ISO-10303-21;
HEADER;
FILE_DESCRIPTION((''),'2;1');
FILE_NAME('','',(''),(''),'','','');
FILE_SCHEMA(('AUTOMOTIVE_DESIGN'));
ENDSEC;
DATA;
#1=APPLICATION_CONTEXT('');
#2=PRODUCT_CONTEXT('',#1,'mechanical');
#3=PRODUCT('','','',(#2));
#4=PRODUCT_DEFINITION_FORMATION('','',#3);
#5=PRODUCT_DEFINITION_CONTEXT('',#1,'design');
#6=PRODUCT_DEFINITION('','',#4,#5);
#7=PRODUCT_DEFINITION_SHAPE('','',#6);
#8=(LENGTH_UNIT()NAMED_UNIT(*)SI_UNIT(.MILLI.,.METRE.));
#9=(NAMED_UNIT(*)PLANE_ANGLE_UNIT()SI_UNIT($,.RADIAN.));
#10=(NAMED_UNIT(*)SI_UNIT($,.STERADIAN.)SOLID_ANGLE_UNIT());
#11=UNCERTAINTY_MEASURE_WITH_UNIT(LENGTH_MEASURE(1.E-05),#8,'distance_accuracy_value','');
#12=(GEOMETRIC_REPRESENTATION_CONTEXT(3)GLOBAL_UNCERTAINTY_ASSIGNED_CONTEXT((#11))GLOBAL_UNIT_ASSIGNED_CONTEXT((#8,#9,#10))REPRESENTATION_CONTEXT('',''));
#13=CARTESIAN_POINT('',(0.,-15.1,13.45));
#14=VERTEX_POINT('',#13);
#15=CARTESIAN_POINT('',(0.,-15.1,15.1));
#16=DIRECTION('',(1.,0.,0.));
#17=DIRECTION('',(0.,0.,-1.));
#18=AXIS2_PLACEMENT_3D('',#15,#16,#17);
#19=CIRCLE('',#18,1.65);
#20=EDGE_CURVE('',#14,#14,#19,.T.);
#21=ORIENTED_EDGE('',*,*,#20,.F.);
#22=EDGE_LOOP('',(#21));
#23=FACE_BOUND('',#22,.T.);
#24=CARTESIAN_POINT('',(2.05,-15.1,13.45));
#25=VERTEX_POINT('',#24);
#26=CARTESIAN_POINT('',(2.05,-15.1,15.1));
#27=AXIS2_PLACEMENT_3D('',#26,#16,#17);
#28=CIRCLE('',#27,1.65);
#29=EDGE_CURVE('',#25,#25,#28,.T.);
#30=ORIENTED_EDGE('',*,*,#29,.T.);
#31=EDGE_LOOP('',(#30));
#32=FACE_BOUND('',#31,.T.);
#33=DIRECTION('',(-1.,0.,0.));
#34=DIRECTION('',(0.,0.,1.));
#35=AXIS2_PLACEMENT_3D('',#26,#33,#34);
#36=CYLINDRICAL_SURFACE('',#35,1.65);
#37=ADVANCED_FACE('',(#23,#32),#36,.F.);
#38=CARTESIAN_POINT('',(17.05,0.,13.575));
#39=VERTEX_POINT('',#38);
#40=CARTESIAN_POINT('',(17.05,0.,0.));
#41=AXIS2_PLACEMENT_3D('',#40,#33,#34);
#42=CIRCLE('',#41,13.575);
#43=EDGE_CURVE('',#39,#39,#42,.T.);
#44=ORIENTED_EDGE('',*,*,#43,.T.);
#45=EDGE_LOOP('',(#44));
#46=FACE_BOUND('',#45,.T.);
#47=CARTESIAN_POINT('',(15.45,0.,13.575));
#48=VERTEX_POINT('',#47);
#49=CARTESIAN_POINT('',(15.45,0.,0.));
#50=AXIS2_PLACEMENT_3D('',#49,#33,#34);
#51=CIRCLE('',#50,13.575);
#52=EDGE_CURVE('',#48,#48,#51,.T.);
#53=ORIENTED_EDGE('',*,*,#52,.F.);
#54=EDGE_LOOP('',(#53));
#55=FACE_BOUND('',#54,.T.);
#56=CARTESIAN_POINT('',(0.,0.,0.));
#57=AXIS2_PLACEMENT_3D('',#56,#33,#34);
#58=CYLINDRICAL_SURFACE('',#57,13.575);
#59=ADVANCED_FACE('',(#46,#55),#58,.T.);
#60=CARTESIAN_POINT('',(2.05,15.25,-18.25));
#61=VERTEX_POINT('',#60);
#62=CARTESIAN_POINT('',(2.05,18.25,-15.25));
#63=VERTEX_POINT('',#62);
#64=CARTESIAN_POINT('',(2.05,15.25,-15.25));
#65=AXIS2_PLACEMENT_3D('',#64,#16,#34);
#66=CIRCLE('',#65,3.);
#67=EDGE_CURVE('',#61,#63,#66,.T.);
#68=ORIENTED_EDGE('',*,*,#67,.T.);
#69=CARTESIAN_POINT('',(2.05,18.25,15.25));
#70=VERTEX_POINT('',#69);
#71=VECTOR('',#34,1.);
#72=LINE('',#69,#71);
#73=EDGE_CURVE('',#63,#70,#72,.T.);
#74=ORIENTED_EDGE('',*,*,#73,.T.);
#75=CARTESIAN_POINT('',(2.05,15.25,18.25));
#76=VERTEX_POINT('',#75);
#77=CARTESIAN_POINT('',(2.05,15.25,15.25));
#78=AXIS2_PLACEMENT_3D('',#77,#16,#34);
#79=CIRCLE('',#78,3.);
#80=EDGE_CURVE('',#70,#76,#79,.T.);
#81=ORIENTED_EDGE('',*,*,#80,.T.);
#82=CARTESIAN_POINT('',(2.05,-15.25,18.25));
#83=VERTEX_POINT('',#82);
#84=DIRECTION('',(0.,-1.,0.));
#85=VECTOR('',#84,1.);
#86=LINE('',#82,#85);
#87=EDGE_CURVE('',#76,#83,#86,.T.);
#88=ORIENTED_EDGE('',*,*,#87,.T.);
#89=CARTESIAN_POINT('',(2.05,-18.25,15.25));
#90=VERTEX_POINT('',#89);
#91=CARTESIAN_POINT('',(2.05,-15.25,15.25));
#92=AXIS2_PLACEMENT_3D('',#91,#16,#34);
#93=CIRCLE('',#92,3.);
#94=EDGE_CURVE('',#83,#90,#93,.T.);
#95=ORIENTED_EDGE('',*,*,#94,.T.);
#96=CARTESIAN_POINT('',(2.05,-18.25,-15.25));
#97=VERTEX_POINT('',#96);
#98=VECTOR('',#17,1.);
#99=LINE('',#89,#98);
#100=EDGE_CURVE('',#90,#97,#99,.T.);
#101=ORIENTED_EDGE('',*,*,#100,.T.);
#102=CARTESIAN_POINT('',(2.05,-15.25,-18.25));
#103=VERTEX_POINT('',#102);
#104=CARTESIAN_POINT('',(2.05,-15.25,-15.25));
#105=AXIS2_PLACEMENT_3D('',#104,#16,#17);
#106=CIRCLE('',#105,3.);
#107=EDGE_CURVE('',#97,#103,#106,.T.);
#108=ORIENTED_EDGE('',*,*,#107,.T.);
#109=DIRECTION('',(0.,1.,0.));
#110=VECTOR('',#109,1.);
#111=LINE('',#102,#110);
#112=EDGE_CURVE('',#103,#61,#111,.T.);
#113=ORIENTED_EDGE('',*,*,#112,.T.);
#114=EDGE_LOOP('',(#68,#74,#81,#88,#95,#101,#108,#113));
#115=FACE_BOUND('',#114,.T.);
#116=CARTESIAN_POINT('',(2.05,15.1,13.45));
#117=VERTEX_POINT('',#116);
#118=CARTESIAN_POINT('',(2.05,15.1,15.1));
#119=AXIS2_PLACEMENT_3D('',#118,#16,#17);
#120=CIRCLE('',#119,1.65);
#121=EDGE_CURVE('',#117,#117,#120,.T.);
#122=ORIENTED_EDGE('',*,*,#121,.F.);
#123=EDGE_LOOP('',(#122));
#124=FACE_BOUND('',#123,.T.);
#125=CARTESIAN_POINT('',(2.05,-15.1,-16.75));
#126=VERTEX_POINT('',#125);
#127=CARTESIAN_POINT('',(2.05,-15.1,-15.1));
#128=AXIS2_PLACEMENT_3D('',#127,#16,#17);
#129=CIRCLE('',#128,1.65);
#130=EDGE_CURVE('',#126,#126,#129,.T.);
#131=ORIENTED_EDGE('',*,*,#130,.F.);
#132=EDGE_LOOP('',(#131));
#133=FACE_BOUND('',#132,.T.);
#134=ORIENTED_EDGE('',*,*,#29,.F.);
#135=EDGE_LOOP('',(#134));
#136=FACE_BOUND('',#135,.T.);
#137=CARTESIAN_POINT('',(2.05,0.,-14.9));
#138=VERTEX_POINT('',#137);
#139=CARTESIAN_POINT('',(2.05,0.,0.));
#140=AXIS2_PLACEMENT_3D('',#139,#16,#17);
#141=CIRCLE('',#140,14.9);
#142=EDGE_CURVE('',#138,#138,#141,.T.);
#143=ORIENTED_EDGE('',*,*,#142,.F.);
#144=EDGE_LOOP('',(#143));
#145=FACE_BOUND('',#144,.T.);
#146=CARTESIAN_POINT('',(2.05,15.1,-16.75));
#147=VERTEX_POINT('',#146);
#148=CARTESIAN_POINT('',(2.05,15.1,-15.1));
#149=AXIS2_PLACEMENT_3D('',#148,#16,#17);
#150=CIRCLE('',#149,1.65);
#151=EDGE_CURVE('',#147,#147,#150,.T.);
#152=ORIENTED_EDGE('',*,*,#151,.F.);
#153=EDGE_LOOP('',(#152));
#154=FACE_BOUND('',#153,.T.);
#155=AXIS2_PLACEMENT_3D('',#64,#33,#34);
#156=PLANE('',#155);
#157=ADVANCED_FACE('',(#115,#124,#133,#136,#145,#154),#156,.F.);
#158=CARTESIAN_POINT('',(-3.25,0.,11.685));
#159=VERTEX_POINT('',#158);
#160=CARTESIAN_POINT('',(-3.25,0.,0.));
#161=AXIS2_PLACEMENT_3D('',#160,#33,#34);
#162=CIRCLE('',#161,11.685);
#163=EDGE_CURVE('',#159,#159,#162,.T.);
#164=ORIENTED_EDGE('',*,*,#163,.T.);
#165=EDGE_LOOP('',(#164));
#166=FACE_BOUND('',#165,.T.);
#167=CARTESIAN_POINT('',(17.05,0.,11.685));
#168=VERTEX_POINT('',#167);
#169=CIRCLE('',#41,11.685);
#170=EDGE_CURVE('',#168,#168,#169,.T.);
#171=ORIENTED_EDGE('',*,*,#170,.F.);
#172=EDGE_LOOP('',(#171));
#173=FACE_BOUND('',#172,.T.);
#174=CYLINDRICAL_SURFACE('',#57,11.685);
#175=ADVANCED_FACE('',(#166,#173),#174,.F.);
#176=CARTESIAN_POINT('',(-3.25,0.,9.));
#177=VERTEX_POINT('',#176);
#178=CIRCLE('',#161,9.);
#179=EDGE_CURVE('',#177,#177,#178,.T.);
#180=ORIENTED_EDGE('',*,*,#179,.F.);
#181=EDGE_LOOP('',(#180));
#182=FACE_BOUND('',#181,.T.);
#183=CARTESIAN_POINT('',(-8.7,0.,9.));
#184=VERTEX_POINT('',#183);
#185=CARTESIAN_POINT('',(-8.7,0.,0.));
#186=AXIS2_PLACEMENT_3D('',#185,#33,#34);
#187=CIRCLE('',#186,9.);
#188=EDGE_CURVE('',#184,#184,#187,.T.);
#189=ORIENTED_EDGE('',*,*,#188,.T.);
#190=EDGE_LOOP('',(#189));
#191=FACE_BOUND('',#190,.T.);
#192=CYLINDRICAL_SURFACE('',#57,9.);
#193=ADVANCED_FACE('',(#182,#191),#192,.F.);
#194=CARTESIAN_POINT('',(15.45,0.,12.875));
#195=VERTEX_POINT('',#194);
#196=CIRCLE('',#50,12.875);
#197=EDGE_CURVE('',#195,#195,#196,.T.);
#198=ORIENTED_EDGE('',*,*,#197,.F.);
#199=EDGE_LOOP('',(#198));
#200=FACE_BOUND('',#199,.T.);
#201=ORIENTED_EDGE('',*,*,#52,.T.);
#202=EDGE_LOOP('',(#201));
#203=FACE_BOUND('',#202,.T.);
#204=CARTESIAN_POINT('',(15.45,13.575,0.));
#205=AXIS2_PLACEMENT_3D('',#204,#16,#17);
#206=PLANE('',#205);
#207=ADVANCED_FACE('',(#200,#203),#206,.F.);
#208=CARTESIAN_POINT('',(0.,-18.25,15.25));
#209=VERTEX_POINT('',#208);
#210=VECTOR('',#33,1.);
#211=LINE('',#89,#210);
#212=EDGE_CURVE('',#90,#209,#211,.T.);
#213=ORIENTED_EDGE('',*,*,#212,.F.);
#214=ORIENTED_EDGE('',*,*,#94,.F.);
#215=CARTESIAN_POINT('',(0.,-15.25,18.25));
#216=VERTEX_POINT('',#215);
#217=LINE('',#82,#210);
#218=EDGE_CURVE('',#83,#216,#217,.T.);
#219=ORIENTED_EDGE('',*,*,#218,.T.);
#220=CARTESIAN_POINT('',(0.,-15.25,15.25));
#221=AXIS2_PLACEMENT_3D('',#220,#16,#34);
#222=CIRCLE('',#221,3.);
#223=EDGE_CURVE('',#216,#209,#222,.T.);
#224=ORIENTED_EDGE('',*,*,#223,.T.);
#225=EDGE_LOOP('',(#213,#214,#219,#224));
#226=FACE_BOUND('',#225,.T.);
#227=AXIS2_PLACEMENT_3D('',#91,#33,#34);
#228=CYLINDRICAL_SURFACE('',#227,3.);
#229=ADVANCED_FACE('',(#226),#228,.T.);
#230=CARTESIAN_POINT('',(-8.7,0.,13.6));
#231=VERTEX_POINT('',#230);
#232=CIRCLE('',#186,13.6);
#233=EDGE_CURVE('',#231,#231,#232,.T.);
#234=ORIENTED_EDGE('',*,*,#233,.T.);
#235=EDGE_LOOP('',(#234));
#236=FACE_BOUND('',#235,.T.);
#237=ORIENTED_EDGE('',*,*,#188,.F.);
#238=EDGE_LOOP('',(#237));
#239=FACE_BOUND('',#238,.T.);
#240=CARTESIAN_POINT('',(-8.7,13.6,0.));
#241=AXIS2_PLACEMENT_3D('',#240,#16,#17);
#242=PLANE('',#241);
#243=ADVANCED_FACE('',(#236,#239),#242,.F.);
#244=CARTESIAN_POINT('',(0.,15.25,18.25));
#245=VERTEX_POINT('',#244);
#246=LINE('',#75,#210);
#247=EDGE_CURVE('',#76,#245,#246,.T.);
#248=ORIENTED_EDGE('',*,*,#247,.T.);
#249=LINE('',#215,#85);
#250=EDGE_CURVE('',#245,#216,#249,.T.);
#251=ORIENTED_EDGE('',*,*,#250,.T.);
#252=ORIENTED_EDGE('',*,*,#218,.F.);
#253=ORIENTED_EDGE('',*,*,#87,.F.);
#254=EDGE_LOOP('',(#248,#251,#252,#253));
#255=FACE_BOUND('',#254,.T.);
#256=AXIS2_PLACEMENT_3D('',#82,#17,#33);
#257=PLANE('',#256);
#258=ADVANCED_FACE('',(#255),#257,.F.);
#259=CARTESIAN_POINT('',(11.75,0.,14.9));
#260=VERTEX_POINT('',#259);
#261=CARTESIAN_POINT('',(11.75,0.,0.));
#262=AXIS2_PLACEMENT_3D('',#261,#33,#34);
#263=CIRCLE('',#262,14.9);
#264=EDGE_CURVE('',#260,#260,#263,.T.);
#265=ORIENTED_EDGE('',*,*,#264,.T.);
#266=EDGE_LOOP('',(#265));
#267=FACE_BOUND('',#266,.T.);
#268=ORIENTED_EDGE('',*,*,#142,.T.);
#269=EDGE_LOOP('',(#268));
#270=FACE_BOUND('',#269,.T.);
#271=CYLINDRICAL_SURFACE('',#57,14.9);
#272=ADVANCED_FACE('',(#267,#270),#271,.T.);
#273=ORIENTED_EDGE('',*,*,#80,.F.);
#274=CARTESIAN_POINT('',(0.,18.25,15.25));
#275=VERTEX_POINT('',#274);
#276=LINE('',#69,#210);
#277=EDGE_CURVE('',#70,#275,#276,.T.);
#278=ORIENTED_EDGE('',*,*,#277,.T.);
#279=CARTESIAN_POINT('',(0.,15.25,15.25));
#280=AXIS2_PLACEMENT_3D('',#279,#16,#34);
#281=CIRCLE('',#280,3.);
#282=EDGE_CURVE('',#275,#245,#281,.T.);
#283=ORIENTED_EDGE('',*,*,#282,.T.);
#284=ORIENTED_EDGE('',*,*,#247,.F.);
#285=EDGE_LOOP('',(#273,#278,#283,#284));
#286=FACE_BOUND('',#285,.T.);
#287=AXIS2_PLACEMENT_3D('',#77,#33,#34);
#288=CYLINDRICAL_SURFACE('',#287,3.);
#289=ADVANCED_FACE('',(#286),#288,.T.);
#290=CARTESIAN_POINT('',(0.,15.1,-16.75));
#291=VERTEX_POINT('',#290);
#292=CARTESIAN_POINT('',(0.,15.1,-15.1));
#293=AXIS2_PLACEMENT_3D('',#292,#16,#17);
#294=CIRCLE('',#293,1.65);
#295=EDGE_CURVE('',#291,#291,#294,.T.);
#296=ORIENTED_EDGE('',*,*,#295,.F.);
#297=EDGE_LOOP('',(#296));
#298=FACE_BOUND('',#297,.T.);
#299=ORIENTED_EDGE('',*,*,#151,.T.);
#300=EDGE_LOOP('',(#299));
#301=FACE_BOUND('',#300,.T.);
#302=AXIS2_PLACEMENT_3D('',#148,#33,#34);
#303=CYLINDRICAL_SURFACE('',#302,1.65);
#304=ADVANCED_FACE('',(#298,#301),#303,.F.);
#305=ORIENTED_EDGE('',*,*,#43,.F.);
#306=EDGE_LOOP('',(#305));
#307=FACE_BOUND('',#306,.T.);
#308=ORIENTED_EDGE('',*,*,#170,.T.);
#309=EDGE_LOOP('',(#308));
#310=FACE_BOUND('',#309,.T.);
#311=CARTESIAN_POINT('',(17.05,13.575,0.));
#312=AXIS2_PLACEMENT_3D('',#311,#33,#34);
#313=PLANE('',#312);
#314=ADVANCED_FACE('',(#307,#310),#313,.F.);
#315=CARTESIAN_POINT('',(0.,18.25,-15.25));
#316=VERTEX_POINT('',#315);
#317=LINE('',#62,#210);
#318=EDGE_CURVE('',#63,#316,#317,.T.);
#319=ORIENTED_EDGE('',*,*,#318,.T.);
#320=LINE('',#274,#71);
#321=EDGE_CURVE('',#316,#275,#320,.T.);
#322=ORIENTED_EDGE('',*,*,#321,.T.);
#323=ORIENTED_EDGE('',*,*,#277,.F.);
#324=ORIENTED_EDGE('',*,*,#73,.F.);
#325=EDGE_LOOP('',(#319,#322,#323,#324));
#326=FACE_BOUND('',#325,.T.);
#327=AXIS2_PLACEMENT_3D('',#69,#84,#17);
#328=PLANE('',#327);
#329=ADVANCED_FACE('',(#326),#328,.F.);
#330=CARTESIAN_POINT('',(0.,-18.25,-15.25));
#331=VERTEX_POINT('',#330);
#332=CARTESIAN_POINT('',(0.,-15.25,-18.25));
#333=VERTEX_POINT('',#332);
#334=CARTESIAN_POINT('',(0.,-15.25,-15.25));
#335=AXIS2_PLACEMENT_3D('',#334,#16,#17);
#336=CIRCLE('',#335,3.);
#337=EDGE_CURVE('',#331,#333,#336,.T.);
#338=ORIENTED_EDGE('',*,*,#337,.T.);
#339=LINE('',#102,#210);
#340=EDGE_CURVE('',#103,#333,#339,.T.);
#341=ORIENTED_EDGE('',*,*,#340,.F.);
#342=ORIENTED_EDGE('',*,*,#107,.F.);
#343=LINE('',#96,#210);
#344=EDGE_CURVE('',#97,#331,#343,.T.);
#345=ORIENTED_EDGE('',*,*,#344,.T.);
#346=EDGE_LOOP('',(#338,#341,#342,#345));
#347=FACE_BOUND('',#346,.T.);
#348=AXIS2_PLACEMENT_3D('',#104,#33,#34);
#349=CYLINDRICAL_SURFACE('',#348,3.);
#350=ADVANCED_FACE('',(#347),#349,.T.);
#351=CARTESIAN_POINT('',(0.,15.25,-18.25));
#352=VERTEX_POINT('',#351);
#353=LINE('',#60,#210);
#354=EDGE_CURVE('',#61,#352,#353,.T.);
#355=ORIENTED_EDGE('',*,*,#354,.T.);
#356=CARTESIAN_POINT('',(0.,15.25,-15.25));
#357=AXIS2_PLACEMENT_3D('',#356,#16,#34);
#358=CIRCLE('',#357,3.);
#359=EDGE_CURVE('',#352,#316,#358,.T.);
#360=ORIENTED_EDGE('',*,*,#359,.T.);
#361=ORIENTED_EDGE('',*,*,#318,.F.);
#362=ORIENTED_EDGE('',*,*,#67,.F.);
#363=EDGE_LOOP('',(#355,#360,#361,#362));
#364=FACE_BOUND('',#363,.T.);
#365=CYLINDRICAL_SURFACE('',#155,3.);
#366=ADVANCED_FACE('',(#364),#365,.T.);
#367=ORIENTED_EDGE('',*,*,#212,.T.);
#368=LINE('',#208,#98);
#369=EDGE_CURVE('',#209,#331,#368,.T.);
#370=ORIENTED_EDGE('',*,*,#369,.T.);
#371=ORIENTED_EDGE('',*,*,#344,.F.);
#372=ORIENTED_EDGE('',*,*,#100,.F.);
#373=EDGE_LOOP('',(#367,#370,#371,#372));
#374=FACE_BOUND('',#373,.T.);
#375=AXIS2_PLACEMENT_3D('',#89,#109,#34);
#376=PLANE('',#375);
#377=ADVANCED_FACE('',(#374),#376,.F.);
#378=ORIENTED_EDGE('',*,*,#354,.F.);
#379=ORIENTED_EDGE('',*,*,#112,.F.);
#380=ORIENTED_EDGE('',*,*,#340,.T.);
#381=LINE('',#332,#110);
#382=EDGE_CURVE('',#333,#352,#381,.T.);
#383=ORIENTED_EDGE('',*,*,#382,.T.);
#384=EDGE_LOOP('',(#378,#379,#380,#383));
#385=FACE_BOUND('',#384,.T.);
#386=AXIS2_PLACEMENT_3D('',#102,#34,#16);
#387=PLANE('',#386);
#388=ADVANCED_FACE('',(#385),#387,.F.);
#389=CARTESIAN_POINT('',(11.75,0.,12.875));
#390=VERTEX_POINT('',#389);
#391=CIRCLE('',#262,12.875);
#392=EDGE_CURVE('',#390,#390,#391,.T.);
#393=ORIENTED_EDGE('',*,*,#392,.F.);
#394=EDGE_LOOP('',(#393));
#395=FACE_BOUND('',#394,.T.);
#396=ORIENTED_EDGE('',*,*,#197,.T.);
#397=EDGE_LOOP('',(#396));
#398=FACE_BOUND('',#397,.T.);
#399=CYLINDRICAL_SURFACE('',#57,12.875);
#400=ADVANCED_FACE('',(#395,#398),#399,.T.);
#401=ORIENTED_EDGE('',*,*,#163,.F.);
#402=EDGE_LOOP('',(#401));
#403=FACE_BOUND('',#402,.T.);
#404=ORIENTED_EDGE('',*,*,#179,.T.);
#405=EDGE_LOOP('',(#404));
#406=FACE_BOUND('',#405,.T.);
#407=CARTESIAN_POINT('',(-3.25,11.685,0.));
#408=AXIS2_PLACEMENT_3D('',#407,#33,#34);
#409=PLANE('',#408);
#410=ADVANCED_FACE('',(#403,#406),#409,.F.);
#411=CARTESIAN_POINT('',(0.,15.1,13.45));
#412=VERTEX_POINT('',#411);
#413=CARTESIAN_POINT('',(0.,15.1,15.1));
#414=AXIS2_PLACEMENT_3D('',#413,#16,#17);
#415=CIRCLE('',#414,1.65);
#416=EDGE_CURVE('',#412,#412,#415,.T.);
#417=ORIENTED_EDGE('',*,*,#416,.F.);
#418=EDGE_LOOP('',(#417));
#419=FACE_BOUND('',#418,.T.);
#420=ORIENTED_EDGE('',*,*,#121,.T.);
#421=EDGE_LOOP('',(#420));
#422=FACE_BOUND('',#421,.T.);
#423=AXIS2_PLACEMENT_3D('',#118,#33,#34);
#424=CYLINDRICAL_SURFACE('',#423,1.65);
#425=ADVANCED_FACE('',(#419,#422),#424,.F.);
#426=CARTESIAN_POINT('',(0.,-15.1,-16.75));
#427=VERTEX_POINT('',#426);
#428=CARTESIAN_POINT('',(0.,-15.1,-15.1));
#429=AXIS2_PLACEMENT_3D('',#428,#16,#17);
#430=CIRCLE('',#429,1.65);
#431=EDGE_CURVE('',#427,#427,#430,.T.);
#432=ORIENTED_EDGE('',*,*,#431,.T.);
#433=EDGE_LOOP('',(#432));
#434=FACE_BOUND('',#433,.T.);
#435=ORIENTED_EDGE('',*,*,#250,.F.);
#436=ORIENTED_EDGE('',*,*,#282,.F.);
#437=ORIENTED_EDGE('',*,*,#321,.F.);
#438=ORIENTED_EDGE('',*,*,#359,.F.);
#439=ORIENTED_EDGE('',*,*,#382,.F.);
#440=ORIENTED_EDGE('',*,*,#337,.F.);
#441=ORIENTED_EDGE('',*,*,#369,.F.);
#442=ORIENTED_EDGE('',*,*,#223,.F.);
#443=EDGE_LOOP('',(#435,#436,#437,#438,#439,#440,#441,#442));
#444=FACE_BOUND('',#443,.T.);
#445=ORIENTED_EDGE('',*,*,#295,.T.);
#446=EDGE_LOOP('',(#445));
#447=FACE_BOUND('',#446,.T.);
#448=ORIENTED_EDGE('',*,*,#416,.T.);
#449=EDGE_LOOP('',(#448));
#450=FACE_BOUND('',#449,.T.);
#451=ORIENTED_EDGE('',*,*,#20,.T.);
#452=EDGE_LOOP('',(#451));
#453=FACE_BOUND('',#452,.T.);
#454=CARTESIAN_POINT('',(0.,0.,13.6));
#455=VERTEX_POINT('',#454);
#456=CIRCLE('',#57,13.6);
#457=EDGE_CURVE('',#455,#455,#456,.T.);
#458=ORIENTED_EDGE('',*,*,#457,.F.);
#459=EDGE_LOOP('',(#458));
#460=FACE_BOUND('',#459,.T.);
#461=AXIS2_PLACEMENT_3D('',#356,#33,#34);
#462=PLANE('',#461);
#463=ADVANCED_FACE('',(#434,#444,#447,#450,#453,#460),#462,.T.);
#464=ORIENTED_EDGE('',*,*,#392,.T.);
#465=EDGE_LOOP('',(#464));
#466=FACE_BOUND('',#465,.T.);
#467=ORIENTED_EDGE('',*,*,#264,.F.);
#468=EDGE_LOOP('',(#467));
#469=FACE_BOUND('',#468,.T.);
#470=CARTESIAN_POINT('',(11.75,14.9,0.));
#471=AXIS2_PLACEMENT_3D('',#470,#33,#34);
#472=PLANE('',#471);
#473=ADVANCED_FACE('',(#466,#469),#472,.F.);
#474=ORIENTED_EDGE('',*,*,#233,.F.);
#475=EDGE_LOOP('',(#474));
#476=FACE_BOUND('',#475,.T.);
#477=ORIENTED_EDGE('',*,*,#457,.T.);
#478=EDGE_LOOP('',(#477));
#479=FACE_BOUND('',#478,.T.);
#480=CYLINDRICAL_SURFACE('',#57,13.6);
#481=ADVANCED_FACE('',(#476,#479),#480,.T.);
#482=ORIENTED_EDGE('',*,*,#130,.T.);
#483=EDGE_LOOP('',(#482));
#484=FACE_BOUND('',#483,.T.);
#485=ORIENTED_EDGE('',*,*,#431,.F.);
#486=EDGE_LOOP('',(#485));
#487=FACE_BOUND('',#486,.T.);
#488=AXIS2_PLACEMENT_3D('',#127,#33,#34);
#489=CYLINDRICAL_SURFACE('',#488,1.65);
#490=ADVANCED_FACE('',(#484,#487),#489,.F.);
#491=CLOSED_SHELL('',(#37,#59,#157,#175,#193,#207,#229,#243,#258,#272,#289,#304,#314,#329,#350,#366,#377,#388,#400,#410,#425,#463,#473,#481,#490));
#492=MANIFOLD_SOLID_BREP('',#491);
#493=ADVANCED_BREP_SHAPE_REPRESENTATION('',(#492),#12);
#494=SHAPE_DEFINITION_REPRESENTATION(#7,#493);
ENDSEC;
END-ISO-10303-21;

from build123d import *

# Parameters (mm, degrees)
CROQUIS1_R              = 1.65
CROQUIS1_R_2            = 14.9
SALIENTE_EXTRUIR1_DEPTH = 2.05


with BuildPart() as part:
    # Croquis1 → Saliente-Extruir1 (new body)
    with BuildSketch(Plane(origin=(0, 0, 0), x_dir=(0, 0, -1), z_dir=(1, 0, 0))):
        with BuildLine():
            Line((-15.25, -18.25), (15.25, -18.25))
            ThreePointArc((15.25, -18.25), (17.371320344, -17.371320344), (18.25, -15.25))
            Line((18.25, -15.25), (18.25, 15.25))
            ThreePointArc((18.25, 15.25), (17.371320344, 17.371320344), (15.25, 18.25))
            Line((15.25, 18.25), (-15.25, 18.25))
            ThreePointArc((-15.25, 18.25), (-17.371320344, 17.371320344), (-18.25, 15.25))
            Line((-18.25, 15.25), (-18.25, -15.25))
            ThreePointArc((-18.25, -15.25), (-17.371320344, -17.371320344), (-15.25, -18.25))
        make_face()
        with Locations((-15.1, 15.1)):
            Circle(CROQUIS1_R, mode=Mode.SUBTRACT)
        with Locations((-15.1, -15.1)):
            Circle(CROQUIS1_R, mode=Mode.SUBTRACT)
        with Locations((15.1, -15.1)):
            Circle(CROQUIS1_R, mode=Mode.SUBTRACT)
        with Locations((15.1, 15.1)):
            Circle(CROQUIS1_R, mode=Mode.SUBTRACT)
        Circle(CROQUIS1_R_2, mode=Mode.SUBTRACT)
    extrude(amount=SALIENTE_EXTRUIR1_DEPTH)

    # Croquis2 → Revolución1 (revolve)
    with BuildSketch(Plane.XY, mode=Mode.PRIVATE) as revoluci_n1_sk:
        Polygon((0, 14.9), (11.75, 14.9), (11.75, 12.875), (15.45, 12.875), (15.45, 13.575), (17.05, 13.575), (17.05, 11.685), (-3.25, 11.685), (-3.25, 9), (-8.7, 9), (-8.7, 13.6), (0, 13.6), align=None)
    revolve(revoluci_n1_sk.sketch.rotate(Axis((0, 0, 0), (1, 0, 0)), 90), axis=Axis((0, 0, 0), (1, 0, 0)))


solid = part.part
